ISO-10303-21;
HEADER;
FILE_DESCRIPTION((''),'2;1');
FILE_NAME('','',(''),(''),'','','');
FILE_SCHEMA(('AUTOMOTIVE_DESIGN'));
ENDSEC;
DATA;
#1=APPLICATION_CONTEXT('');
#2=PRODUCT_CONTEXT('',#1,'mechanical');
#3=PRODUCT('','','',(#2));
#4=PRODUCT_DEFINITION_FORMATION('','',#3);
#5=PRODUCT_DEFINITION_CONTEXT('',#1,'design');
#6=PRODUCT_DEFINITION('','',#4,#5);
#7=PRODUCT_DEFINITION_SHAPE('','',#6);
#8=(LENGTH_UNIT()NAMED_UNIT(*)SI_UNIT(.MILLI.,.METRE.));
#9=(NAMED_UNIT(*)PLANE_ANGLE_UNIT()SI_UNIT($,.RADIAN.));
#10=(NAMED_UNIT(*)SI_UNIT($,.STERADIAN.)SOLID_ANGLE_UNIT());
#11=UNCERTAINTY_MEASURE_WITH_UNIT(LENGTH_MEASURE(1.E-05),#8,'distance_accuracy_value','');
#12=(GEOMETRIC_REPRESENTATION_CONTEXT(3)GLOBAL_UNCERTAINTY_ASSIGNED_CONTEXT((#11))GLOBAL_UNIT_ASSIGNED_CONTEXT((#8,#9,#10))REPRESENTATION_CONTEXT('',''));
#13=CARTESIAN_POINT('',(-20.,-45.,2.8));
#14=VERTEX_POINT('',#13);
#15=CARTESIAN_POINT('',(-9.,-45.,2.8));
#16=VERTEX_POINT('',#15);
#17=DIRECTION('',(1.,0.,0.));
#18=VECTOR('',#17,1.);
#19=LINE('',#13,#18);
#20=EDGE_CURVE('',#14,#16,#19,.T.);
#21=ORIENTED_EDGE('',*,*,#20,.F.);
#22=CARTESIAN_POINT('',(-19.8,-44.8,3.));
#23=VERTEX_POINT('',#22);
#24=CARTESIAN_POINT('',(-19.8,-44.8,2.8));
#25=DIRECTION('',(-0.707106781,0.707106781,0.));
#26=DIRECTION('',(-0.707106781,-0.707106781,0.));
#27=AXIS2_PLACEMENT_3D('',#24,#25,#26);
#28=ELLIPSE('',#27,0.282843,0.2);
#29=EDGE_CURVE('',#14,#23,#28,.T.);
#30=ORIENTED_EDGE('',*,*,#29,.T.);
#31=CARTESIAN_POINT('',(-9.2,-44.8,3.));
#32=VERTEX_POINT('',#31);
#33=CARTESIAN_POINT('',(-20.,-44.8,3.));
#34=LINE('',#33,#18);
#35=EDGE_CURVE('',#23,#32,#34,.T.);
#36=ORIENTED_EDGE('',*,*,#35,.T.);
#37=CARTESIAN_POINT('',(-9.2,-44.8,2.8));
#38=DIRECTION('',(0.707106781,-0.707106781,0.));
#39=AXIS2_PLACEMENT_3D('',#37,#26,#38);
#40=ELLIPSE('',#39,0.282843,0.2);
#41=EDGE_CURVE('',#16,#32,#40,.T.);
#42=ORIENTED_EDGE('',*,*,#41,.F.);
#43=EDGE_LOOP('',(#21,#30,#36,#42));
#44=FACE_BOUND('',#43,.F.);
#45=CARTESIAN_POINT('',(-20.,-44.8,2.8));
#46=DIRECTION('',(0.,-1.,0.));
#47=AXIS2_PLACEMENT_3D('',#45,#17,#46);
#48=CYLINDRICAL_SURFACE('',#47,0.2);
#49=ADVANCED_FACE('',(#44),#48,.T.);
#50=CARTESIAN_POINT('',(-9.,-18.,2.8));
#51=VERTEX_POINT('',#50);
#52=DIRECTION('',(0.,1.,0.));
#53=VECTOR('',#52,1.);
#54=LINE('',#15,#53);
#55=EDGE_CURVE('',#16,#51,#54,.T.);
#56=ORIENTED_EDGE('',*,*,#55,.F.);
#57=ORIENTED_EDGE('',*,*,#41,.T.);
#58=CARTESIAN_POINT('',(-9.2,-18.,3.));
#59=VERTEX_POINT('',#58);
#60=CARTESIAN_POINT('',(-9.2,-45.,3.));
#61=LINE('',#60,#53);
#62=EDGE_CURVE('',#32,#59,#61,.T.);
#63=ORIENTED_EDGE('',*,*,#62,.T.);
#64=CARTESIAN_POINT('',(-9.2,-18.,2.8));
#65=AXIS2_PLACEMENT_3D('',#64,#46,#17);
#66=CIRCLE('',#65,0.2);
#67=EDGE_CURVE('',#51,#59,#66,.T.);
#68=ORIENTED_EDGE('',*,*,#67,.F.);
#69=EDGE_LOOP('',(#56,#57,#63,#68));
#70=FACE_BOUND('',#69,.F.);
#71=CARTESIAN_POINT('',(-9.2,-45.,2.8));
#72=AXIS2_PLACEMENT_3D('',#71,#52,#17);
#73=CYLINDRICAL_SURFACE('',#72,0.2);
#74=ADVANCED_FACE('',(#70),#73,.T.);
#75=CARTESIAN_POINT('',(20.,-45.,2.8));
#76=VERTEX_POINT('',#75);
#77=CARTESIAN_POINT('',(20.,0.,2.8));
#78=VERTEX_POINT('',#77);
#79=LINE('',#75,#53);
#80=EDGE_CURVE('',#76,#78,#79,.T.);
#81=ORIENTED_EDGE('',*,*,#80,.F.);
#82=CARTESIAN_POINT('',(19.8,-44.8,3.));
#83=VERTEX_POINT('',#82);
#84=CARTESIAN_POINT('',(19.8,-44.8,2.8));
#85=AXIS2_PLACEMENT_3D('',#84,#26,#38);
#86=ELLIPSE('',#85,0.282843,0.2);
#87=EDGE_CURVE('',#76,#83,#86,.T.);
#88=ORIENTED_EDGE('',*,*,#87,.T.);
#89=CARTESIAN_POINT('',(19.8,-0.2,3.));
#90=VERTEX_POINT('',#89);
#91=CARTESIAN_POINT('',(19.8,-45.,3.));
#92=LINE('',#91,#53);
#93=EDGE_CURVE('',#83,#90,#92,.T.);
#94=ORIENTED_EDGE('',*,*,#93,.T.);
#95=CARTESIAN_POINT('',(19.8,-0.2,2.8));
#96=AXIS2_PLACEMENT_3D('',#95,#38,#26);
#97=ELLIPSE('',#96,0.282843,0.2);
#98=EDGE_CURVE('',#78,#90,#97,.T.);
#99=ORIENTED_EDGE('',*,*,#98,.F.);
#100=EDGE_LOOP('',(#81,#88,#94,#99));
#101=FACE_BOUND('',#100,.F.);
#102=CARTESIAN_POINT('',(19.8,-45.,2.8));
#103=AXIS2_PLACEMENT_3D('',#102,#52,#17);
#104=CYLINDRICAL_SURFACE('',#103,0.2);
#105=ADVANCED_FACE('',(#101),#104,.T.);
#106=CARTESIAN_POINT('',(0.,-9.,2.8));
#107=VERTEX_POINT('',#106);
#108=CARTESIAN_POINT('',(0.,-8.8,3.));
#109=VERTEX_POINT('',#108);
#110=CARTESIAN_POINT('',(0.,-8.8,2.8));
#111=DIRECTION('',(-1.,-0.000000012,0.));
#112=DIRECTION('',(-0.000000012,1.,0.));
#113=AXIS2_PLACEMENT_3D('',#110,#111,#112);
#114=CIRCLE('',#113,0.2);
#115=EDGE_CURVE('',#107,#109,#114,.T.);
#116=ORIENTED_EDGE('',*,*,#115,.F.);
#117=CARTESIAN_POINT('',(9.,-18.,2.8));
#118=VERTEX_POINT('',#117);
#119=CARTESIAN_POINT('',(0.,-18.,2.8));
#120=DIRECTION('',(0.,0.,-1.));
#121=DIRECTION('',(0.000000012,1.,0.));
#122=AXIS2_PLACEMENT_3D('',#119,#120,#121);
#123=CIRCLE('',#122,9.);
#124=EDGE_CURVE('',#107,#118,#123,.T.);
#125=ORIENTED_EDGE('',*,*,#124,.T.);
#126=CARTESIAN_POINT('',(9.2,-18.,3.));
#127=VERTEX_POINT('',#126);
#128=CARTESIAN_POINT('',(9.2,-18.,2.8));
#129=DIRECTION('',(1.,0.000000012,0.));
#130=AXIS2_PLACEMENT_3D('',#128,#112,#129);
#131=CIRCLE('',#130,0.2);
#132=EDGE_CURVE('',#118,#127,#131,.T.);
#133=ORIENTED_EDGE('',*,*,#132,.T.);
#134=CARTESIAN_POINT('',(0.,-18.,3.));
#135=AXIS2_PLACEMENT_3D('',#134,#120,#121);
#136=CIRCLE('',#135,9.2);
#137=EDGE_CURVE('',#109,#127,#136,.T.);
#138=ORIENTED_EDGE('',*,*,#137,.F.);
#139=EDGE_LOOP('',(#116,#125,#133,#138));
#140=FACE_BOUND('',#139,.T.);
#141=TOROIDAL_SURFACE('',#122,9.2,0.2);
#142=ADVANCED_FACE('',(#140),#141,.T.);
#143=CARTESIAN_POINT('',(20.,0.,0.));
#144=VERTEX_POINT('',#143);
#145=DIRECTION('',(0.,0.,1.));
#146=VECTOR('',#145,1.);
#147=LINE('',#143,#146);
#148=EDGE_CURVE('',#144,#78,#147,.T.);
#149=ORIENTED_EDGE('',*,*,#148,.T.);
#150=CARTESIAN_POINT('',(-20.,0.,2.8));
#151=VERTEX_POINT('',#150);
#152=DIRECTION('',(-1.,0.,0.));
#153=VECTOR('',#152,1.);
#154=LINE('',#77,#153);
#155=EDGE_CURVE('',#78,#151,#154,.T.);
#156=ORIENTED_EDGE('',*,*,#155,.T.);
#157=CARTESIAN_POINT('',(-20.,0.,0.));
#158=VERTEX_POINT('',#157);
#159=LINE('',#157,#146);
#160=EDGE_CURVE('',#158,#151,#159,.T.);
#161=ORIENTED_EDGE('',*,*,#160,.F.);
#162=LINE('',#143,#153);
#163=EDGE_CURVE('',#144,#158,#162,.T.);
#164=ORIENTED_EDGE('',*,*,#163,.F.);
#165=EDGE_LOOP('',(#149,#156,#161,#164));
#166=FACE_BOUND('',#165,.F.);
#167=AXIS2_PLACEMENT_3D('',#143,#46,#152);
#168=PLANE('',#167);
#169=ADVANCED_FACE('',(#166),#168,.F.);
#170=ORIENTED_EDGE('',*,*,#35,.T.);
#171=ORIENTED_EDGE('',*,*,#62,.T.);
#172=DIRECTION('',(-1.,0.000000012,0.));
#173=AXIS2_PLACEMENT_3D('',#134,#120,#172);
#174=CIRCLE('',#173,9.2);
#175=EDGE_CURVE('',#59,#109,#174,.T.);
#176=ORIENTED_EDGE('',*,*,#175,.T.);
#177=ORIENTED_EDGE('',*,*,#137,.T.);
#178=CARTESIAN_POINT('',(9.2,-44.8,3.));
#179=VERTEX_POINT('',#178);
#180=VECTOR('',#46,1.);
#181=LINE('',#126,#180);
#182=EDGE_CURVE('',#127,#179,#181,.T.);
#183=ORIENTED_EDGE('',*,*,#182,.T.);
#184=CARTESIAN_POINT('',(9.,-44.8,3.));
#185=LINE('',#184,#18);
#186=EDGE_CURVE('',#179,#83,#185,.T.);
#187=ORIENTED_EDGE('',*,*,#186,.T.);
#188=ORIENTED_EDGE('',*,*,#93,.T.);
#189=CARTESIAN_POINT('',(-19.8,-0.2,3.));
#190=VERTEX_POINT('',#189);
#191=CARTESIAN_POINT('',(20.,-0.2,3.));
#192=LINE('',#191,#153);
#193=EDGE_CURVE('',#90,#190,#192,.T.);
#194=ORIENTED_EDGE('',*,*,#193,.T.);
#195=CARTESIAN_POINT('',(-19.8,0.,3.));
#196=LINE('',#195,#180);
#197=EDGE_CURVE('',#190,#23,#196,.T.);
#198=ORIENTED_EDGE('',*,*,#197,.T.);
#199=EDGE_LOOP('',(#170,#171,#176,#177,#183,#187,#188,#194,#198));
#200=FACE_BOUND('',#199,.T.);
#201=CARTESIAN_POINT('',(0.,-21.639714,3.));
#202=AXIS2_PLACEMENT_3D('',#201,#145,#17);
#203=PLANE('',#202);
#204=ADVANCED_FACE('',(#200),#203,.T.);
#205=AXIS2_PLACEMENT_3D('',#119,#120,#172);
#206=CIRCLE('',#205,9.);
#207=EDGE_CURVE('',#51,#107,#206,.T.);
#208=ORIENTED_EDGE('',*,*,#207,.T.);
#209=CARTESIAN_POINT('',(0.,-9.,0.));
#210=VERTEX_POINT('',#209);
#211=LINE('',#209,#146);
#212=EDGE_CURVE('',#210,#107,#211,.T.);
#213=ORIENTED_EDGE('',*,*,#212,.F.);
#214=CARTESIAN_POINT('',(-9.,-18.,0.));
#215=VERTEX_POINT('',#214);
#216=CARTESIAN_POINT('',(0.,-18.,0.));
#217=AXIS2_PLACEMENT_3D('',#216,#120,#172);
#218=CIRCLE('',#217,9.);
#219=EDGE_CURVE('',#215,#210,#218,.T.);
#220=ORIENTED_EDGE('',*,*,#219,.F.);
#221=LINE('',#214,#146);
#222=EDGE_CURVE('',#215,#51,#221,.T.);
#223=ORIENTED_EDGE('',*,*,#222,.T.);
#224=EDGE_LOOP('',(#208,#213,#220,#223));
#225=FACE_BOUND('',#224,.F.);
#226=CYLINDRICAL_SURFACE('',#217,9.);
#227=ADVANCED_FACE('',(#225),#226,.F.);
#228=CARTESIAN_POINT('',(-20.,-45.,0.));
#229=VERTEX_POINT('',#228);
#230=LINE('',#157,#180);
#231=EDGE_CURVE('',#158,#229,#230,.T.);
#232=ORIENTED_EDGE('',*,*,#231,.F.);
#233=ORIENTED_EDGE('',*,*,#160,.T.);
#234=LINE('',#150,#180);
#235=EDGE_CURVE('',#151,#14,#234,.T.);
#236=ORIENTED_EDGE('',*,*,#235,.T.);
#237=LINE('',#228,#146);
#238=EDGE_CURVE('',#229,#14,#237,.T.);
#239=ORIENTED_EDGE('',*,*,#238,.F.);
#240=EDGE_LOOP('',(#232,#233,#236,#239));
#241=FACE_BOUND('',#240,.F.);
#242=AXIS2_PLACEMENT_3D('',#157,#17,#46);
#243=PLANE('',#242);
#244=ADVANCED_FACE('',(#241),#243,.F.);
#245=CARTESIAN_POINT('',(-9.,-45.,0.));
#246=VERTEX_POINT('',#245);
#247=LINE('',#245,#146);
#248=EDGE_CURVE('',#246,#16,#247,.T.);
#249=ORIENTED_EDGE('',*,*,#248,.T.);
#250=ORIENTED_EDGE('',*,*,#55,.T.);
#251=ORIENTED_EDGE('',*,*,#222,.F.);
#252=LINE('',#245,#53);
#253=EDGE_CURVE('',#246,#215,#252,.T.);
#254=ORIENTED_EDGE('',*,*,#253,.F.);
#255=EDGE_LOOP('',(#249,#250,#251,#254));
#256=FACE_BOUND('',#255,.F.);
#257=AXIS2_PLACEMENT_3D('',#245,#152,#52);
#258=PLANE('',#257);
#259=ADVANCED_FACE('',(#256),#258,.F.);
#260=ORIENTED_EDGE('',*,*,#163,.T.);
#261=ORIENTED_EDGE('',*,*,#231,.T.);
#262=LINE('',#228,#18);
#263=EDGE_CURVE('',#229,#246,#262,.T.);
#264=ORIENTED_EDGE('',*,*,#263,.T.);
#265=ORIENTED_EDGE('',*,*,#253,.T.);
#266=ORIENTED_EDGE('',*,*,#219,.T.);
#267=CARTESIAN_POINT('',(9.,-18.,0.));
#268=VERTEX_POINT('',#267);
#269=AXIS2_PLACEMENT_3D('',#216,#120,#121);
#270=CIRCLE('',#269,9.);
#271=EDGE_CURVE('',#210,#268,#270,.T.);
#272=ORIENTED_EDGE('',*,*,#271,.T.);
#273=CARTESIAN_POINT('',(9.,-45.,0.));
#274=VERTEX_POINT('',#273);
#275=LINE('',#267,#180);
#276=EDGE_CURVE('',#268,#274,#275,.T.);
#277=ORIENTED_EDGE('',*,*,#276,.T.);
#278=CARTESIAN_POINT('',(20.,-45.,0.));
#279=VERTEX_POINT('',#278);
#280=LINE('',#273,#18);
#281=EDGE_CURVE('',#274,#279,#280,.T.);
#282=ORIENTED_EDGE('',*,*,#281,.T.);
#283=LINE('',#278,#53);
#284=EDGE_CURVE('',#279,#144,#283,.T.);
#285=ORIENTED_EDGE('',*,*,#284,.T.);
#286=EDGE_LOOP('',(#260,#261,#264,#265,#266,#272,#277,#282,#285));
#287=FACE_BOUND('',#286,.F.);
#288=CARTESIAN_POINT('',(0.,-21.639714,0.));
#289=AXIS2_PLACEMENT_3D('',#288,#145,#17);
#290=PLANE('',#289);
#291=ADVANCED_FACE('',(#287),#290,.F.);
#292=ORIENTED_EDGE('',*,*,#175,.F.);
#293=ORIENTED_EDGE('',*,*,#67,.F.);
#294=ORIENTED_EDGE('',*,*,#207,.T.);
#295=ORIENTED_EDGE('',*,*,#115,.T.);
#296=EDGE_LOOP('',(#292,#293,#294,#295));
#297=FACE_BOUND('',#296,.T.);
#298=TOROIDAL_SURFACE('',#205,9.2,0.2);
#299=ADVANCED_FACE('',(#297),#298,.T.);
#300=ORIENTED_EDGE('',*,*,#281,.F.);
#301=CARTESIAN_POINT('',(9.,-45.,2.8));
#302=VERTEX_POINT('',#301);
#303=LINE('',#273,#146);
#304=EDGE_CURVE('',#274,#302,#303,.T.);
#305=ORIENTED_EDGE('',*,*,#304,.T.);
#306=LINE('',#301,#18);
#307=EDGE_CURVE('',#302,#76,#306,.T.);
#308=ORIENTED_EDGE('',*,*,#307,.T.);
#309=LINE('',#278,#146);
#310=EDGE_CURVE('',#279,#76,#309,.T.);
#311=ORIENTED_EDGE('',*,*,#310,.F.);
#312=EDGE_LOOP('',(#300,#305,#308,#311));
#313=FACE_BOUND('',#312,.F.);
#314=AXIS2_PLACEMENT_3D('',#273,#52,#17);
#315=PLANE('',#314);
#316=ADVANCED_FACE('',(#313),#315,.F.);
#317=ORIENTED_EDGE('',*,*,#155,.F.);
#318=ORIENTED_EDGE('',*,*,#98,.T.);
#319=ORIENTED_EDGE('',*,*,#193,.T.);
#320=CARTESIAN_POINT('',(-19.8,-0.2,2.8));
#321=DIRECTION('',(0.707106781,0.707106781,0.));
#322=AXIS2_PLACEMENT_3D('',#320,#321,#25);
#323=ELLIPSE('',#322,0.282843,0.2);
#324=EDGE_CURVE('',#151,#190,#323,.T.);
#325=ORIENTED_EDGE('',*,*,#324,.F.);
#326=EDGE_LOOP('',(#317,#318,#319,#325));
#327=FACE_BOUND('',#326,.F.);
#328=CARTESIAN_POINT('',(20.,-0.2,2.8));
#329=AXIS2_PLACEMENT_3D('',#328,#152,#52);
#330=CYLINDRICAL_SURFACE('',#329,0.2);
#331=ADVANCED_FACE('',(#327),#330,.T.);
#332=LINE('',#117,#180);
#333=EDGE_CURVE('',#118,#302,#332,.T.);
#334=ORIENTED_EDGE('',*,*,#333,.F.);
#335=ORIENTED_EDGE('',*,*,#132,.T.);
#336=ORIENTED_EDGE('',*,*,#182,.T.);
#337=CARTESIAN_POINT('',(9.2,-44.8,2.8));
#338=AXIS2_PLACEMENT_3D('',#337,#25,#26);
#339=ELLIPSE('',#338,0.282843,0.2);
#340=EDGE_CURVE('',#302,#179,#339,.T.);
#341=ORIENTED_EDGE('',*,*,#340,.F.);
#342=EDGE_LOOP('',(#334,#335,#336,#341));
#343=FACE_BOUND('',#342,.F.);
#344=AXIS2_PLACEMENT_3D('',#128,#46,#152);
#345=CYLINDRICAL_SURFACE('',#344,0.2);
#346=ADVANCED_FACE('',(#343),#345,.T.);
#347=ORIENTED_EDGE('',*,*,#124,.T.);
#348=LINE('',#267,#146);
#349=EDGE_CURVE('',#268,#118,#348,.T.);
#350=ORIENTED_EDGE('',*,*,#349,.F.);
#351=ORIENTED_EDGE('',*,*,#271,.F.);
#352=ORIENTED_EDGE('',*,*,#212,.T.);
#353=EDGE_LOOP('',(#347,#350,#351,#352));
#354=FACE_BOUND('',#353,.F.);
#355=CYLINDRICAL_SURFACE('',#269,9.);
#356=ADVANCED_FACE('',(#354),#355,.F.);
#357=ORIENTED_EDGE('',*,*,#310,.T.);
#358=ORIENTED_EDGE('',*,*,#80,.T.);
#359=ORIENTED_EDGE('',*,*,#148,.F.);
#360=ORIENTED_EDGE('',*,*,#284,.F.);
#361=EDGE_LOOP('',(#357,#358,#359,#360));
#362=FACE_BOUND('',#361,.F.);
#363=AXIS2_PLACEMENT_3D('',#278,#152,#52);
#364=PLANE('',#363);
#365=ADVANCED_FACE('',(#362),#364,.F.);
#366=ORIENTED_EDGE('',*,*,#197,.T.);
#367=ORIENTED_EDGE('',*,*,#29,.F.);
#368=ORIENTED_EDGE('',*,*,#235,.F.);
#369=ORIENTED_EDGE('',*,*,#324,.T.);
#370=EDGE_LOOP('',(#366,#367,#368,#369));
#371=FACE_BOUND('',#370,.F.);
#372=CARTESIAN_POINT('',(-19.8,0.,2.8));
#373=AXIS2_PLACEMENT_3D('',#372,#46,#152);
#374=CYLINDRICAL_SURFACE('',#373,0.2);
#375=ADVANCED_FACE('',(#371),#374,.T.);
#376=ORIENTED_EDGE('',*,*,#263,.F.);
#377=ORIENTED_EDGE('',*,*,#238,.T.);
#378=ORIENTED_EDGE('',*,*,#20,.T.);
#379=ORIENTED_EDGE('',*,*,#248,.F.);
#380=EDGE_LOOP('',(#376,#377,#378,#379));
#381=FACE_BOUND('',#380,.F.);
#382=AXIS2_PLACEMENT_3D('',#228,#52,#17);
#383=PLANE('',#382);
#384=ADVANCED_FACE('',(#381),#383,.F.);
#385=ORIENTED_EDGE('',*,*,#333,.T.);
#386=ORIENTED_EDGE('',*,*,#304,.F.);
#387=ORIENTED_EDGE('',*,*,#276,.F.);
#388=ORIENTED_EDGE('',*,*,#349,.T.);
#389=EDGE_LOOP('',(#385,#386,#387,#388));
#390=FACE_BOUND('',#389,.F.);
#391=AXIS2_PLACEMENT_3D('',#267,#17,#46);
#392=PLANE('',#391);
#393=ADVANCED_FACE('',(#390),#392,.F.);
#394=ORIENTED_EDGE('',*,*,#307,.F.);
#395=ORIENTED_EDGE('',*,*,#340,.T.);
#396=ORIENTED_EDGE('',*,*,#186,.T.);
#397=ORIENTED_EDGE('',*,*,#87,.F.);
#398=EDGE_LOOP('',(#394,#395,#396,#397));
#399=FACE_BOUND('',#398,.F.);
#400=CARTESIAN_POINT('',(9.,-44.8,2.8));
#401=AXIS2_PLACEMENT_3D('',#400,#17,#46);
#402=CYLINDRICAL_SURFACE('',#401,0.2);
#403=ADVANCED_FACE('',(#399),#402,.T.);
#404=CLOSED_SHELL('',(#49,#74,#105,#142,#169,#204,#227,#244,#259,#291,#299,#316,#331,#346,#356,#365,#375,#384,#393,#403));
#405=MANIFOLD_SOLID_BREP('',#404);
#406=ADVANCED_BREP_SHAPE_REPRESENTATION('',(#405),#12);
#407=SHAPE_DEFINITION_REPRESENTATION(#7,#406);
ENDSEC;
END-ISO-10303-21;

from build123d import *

# Parameters (mm, degrees)
F1_DEPTH = 3
F2_R     = 0.2


with BuildPart() as f1:
    # F0 (on Top) → F1 (new body)
    with BuildSketch(Plane.XY):
        with BuildLine():
            Line((20, 0), (0, 0))
            Line((0, 0), (-20, 0))
            Line((-20, 0), (-20, -45))
            Line((-20, -45), (-9, -45))
            Line((-9, -45), (-9, -18))
            ThreePointArc((-9, -18), (-6.363961, -11.636039), (0, -9))
            ThreePointArc((0, -9), (6.363961, -11.636039), (9, -18))
            Line((9, -18), (9, -45))
            Line((9, -45), (20, -45))
            Line((20, -45), (20, 0))
        make_face()
    extrude(amount=F1_DEPTH)

    # F2
    f2_edges = [f1.edges().sort_by_distance(p)[0] for p in [
        (0, 0, 3),
        (-20, -22.5, 3),
        (-14.5, -45, 3),
        (-9, -31.5, 3),
        (0, -9, 3),
        (9, -31.5, 3),
        (14.5, -45, 3),
        (20, -22.5, 3),
    ]]
    fillet(f2_edges, radius=F2_R)


solid = f1.part
